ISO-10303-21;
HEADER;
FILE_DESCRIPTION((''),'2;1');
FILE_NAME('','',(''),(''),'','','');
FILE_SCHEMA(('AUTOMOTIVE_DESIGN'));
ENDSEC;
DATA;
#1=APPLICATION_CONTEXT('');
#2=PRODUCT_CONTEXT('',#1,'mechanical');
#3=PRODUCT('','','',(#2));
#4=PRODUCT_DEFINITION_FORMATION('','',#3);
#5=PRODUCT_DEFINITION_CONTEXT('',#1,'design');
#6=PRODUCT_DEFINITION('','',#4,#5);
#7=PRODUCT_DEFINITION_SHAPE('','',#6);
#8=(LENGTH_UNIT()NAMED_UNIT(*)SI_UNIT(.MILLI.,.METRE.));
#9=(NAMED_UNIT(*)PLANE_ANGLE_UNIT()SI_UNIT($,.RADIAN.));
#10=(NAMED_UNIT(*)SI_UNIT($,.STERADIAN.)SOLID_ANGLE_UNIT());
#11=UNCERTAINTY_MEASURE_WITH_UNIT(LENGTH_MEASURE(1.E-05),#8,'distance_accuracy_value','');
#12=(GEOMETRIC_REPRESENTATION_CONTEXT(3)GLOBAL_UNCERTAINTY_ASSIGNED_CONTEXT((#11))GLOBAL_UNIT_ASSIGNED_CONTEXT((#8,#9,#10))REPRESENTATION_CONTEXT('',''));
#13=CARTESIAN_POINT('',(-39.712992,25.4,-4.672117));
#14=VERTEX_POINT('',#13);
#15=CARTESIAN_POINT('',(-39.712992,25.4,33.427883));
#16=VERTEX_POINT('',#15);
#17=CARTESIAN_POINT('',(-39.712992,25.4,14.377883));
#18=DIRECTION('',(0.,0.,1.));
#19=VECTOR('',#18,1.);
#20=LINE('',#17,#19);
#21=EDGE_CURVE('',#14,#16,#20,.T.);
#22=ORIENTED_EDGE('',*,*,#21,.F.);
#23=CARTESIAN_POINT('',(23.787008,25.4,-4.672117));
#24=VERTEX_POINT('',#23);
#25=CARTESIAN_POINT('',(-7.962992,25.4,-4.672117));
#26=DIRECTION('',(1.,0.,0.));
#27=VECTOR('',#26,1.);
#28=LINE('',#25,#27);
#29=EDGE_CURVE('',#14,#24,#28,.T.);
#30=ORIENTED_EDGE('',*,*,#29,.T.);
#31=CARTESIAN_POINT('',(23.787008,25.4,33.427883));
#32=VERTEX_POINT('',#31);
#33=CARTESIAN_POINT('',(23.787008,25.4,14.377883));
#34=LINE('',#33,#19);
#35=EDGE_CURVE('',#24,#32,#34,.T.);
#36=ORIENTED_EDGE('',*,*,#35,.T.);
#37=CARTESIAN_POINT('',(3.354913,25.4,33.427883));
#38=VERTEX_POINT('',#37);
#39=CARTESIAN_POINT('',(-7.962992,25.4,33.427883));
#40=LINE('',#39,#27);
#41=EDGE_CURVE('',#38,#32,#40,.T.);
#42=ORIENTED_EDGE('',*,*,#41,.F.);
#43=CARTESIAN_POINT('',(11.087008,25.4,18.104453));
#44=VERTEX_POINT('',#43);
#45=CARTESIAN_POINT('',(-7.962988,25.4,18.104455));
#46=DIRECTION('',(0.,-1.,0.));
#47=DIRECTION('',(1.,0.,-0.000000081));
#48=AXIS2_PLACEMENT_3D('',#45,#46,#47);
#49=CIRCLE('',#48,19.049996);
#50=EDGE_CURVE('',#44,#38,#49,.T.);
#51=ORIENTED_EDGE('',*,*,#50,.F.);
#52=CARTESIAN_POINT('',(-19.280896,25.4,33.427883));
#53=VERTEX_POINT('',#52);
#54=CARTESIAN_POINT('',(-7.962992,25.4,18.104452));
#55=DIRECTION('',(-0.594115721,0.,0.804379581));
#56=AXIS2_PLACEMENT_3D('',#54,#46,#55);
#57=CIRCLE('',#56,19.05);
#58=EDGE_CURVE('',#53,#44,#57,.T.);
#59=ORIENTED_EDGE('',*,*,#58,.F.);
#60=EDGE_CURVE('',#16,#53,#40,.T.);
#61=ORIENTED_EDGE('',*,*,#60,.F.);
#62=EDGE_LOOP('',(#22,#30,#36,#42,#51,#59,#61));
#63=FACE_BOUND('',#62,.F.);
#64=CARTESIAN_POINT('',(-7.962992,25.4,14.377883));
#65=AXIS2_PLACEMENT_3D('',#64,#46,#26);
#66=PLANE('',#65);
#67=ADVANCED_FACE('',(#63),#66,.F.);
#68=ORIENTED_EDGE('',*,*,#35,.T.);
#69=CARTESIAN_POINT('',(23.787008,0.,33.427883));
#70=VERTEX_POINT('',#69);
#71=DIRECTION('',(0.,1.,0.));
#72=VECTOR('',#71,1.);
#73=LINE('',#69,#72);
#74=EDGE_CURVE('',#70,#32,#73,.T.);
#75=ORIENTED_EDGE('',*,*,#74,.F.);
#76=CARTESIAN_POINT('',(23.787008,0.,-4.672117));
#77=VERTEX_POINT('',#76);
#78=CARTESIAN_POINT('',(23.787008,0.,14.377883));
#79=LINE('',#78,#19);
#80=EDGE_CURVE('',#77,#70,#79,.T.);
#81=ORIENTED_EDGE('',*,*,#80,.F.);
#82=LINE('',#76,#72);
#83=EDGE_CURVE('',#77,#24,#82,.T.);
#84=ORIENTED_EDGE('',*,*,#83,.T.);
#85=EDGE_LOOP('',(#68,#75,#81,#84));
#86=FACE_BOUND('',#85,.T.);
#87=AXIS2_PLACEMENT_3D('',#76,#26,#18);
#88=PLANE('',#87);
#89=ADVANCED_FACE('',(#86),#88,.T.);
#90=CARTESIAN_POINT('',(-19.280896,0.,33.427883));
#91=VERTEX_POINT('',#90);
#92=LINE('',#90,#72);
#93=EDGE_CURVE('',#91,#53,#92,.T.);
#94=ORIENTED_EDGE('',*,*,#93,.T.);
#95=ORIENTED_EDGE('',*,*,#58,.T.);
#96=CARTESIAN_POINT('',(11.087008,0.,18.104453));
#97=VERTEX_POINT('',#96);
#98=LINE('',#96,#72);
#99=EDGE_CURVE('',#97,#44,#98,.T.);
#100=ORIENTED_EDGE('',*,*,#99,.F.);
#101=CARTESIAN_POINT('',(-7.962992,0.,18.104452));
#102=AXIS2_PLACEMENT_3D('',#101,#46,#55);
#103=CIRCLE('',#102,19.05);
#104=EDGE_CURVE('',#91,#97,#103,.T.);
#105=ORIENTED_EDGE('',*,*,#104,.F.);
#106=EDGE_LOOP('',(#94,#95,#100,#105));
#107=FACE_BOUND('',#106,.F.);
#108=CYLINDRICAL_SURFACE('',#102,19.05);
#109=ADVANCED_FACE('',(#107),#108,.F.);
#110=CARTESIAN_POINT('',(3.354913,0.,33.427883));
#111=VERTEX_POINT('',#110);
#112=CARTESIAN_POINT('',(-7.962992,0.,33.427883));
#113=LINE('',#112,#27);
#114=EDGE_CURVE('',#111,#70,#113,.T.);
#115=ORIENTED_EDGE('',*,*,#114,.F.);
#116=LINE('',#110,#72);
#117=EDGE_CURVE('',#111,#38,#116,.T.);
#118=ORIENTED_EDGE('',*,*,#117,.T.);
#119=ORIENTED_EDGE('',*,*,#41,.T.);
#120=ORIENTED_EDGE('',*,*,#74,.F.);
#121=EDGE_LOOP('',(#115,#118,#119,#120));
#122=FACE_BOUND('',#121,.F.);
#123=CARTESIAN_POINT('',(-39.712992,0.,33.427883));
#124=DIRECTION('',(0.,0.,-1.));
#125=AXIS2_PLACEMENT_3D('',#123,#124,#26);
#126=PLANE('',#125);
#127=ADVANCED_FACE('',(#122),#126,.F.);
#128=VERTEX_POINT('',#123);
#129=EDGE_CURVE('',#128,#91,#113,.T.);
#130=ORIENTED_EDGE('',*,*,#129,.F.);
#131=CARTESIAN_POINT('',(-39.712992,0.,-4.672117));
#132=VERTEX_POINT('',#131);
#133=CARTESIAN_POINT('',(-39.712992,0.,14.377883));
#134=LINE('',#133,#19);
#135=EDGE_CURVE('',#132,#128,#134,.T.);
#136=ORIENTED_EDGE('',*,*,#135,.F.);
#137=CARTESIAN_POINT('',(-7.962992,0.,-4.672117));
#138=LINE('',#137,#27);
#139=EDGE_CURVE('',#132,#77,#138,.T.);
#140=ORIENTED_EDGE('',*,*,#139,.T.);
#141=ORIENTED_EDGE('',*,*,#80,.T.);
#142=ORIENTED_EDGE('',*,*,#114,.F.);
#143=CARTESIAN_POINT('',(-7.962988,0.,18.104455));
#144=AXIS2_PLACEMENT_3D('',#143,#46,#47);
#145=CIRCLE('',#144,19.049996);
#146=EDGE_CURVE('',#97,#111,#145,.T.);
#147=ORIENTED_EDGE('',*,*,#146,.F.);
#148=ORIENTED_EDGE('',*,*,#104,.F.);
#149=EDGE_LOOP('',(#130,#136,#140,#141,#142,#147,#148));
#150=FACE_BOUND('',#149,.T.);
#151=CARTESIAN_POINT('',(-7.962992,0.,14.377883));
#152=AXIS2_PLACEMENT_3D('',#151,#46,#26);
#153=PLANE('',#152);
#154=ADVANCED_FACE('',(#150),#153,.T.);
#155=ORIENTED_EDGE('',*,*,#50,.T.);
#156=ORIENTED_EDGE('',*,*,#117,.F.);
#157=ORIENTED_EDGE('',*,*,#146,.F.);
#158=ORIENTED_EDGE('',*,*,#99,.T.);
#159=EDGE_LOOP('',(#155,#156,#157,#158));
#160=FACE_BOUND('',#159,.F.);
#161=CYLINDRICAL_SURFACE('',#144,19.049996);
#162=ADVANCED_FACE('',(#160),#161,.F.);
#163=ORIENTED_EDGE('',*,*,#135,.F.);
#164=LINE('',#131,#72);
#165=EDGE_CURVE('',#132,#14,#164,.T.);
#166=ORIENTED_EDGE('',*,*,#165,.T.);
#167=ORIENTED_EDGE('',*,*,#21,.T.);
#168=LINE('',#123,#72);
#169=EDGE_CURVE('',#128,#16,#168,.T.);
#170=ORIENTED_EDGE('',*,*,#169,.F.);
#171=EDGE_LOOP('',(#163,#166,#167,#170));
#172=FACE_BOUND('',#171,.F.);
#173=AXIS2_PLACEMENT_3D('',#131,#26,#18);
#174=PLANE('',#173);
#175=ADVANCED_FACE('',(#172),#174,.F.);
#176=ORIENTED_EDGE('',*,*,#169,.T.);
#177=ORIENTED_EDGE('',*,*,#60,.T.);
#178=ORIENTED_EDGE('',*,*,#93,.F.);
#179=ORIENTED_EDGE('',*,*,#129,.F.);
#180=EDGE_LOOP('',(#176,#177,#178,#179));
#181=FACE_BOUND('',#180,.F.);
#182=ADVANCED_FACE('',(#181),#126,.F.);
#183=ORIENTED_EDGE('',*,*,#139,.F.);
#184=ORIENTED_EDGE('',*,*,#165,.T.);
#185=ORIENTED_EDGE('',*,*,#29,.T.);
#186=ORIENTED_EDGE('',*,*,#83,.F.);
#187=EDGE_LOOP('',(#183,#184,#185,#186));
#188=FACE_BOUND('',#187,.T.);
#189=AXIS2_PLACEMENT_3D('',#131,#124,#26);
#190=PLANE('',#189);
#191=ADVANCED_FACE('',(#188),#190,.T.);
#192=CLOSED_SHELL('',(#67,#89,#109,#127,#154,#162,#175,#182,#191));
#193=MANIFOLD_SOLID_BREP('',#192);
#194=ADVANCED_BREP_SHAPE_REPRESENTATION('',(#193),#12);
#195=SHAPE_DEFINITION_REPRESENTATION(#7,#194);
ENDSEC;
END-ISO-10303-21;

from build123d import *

# Parameters (mm, degrees)
F0_W     = 63.5
F0_H     = 38.1
F1_DEPTH = 25.4
F3_DEPTH = 25.4


with BuildPart() as f1:
    # F0 (on Front) → F1 (new body)
    with BuildSketch(Plane.XZ):
        with Locations((-7.962992, 14.377883)):
            Rectangle(F0_W, F0_H)
    extrude(amount=-F1_DEPTH)

    # F2 (on face) → F3 (cut)
    with BuildSketch(Plane.XZ):
        with BuildLine():
            ThreePointArc((-19.280896, 33.427883), (-16.544845, 1.096975), (11.087008, 18.104453))
            ThreePointArc((11.087008, 18.104453), (9.044486, 26.686306), (3.354913, 33.427883))
            Line((3.354913, 33.427883), (-19.280896, 33.427883))
        make_face()
    extrude(amount=-F3_DEPTH, mode=Mode.SUBTRACT)


solid = f1.part
